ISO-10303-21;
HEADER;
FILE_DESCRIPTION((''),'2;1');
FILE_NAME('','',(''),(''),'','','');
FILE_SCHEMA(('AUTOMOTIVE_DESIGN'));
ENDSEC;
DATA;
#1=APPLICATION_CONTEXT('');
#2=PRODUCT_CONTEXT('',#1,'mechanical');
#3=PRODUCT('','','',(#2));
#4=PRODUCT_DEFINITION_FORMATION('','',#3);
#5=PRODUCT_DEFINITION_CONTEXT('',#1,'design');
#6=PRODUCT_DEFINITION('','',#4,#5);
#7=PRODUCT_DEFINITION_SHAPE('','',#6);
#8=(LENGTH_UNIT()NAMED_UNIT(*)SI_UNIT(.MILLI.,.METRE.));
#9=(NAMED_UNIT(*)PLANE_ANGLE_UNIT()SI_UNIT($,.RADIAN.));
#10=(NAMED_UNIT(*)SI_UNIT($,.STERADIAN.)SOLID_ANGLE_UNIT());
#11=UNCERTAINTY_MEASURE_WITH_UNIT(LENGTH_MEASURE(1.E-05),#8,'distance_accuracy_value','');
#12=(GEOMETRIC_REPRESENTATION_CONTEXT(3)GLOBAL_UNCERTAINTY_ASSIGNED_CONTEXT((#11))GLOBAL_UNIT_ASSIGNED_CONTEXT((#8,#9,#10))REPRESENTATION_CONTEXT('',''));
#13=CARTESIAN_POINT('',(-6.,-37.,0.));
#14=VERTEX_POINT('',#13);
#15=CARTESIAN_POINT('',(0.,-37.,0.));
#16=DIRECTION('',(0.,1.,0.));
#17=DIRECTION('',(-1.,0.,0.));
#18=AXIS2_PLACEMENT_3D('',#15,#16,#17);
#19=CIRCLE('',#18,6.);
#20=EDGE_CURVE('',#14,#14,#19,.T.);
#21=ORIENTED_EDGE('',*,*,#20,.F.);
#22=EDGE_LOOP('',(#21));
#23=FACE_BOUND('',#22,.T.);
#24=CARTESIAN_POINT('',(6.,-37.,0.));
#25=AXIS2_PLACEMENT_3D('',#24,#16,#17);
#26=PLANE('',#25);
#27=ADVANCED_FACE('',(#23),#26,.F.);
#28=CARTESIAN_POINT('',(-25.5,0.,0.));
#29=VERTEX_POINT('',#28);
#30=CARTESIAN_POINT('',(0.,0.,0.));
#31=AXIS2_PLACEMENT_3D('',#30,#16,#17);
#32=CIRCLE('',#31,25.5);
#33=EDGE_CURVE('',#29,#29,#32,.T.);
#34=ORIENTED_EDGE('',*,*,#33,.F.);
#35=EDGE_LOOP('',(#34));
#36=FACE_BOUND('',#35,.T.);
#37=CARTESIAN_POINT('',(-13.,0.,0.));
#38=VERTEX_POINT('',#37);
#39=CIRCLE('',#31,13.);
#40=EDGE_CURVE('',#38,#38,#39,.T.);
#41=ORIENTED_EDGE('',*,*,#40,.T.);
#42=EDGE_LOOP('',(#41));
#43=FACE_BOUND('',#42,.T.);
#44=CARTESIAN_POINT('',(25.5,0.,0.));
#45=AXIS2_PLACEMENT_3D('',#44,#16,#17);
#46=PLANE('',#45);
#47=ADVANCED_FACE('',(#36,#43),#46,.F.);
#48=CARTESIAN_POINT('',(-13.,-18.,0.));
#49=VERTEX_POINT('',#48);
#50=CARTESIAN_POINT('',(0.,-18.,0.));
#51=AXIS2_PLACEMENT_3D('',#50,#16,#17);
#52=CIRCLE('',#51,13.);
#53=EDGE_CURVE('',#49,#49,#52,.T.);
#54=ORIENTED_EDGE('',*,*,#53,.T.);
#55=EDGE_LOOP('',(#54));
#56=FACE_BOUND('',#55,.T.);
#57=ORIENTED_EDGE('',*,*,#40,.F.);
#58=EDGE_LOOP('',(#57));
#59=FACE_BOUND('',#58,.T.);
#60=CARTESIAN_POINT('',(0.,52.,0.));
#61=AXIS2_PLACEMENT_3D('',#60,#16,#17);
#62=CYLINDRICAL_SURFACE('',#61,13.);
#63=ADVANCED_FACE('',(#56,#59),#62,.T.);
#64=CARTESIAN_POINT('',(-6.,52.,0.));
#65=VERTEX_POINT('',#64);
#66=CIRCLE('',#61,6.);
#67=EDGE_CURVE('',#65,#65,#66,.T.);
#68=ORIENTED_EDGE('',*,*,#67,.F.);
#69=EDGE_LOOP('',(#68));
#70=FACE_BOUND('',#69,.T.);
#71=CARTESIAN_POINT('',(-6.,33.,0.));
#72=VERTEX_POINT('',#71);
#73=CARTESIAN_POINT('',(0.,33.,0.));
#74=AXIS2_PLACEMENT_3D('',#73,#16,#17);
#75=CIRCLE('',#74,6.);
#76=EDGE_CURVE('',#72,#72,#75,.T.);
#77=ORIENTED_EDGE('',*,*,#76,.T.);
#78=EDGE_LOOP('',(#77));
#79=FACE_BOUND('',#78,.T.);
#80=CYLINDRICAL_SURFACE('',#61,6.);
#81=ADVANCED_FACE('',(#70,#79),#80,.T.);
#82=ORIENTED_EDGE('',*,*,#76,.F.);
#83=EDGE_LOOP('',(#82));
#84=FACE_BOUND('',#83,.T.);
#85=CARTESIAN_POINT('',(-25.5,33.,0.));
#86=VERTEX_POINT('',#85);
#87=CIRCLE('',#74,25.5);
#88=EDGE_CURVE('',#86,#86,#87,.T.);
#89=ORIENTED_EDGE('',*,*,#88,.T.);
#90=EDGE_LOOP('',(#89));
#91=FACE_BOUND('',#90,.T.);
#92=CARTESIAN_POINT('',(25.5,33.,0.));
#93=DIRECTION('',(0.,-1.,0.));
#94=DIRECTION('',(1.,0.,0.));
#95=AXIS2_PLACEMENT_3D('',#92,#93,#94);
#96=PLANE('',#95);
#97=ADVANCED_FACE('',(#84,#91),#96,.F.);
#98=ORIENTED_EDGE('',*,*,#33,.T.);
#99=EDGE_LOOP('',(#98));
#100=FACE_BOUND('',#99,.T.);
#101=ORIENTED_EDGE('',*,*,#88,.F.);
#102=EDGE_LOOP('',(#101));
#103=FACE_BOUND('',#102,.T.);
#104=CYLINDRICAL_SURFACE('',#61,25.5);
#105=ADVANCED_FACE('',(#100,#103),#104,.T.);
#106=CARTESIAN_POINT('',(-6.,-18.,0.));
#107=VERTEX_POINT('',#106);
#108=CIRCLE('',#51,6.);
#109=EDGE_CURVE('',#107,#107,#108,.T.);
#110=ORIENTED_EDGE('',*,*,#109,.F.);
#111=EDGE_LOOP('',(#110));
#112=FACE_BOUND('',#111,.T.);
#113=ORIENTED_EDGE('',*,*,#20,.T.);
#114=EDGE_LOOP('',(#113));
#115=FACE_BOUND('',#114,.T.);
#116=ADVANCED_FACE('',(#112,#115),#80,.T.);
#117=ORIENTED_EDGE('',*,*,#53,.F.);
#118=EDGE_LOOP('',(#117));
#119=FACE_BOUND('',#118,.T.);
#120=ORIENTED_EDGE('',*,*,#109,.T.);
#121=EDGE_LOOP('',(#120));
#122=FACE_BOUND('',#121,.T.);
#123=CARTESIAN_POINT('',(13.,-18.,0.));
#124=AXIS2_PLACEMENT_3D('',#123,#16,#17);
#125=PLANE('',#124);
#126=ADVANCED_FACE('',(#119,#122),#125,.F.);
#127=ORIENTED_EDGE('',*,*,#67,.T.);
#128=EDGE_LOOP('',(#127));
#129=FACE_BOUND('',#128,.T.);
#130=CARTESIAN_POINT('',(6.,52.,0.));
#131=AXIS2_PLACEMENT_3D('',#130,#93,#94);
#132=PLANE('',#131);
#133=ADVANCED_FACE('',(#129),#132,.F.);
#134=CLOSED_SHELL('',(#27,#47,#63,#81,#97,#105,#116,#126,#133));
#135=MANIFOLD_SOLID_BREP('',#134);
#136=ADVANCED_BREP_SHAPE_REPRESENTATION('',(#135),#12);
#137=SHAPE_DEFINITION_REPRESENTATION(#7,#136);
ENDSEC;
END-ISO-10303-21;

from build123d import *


with BuildPart() as part:
    # Sketch1 → Revolve1 (revolve)
    with BuildSketch(Plane.XY, mode=Mode.PRIVATE) as revolve1_sk:
        Polygon((25.5, 0), (25.5, 33), (6, 33), (6, 52), (0, 52), (0, -37), (6, -37), (6, -18), (13, -18), (13, 0), align=None)
    revolve(revolve1_sk.sketch.rotate(Axis((0, 52, 0), (0, -1, 0)), 180), axis=Axis((0, 52, 0), (0, -1, 0)))


solid = part.part
